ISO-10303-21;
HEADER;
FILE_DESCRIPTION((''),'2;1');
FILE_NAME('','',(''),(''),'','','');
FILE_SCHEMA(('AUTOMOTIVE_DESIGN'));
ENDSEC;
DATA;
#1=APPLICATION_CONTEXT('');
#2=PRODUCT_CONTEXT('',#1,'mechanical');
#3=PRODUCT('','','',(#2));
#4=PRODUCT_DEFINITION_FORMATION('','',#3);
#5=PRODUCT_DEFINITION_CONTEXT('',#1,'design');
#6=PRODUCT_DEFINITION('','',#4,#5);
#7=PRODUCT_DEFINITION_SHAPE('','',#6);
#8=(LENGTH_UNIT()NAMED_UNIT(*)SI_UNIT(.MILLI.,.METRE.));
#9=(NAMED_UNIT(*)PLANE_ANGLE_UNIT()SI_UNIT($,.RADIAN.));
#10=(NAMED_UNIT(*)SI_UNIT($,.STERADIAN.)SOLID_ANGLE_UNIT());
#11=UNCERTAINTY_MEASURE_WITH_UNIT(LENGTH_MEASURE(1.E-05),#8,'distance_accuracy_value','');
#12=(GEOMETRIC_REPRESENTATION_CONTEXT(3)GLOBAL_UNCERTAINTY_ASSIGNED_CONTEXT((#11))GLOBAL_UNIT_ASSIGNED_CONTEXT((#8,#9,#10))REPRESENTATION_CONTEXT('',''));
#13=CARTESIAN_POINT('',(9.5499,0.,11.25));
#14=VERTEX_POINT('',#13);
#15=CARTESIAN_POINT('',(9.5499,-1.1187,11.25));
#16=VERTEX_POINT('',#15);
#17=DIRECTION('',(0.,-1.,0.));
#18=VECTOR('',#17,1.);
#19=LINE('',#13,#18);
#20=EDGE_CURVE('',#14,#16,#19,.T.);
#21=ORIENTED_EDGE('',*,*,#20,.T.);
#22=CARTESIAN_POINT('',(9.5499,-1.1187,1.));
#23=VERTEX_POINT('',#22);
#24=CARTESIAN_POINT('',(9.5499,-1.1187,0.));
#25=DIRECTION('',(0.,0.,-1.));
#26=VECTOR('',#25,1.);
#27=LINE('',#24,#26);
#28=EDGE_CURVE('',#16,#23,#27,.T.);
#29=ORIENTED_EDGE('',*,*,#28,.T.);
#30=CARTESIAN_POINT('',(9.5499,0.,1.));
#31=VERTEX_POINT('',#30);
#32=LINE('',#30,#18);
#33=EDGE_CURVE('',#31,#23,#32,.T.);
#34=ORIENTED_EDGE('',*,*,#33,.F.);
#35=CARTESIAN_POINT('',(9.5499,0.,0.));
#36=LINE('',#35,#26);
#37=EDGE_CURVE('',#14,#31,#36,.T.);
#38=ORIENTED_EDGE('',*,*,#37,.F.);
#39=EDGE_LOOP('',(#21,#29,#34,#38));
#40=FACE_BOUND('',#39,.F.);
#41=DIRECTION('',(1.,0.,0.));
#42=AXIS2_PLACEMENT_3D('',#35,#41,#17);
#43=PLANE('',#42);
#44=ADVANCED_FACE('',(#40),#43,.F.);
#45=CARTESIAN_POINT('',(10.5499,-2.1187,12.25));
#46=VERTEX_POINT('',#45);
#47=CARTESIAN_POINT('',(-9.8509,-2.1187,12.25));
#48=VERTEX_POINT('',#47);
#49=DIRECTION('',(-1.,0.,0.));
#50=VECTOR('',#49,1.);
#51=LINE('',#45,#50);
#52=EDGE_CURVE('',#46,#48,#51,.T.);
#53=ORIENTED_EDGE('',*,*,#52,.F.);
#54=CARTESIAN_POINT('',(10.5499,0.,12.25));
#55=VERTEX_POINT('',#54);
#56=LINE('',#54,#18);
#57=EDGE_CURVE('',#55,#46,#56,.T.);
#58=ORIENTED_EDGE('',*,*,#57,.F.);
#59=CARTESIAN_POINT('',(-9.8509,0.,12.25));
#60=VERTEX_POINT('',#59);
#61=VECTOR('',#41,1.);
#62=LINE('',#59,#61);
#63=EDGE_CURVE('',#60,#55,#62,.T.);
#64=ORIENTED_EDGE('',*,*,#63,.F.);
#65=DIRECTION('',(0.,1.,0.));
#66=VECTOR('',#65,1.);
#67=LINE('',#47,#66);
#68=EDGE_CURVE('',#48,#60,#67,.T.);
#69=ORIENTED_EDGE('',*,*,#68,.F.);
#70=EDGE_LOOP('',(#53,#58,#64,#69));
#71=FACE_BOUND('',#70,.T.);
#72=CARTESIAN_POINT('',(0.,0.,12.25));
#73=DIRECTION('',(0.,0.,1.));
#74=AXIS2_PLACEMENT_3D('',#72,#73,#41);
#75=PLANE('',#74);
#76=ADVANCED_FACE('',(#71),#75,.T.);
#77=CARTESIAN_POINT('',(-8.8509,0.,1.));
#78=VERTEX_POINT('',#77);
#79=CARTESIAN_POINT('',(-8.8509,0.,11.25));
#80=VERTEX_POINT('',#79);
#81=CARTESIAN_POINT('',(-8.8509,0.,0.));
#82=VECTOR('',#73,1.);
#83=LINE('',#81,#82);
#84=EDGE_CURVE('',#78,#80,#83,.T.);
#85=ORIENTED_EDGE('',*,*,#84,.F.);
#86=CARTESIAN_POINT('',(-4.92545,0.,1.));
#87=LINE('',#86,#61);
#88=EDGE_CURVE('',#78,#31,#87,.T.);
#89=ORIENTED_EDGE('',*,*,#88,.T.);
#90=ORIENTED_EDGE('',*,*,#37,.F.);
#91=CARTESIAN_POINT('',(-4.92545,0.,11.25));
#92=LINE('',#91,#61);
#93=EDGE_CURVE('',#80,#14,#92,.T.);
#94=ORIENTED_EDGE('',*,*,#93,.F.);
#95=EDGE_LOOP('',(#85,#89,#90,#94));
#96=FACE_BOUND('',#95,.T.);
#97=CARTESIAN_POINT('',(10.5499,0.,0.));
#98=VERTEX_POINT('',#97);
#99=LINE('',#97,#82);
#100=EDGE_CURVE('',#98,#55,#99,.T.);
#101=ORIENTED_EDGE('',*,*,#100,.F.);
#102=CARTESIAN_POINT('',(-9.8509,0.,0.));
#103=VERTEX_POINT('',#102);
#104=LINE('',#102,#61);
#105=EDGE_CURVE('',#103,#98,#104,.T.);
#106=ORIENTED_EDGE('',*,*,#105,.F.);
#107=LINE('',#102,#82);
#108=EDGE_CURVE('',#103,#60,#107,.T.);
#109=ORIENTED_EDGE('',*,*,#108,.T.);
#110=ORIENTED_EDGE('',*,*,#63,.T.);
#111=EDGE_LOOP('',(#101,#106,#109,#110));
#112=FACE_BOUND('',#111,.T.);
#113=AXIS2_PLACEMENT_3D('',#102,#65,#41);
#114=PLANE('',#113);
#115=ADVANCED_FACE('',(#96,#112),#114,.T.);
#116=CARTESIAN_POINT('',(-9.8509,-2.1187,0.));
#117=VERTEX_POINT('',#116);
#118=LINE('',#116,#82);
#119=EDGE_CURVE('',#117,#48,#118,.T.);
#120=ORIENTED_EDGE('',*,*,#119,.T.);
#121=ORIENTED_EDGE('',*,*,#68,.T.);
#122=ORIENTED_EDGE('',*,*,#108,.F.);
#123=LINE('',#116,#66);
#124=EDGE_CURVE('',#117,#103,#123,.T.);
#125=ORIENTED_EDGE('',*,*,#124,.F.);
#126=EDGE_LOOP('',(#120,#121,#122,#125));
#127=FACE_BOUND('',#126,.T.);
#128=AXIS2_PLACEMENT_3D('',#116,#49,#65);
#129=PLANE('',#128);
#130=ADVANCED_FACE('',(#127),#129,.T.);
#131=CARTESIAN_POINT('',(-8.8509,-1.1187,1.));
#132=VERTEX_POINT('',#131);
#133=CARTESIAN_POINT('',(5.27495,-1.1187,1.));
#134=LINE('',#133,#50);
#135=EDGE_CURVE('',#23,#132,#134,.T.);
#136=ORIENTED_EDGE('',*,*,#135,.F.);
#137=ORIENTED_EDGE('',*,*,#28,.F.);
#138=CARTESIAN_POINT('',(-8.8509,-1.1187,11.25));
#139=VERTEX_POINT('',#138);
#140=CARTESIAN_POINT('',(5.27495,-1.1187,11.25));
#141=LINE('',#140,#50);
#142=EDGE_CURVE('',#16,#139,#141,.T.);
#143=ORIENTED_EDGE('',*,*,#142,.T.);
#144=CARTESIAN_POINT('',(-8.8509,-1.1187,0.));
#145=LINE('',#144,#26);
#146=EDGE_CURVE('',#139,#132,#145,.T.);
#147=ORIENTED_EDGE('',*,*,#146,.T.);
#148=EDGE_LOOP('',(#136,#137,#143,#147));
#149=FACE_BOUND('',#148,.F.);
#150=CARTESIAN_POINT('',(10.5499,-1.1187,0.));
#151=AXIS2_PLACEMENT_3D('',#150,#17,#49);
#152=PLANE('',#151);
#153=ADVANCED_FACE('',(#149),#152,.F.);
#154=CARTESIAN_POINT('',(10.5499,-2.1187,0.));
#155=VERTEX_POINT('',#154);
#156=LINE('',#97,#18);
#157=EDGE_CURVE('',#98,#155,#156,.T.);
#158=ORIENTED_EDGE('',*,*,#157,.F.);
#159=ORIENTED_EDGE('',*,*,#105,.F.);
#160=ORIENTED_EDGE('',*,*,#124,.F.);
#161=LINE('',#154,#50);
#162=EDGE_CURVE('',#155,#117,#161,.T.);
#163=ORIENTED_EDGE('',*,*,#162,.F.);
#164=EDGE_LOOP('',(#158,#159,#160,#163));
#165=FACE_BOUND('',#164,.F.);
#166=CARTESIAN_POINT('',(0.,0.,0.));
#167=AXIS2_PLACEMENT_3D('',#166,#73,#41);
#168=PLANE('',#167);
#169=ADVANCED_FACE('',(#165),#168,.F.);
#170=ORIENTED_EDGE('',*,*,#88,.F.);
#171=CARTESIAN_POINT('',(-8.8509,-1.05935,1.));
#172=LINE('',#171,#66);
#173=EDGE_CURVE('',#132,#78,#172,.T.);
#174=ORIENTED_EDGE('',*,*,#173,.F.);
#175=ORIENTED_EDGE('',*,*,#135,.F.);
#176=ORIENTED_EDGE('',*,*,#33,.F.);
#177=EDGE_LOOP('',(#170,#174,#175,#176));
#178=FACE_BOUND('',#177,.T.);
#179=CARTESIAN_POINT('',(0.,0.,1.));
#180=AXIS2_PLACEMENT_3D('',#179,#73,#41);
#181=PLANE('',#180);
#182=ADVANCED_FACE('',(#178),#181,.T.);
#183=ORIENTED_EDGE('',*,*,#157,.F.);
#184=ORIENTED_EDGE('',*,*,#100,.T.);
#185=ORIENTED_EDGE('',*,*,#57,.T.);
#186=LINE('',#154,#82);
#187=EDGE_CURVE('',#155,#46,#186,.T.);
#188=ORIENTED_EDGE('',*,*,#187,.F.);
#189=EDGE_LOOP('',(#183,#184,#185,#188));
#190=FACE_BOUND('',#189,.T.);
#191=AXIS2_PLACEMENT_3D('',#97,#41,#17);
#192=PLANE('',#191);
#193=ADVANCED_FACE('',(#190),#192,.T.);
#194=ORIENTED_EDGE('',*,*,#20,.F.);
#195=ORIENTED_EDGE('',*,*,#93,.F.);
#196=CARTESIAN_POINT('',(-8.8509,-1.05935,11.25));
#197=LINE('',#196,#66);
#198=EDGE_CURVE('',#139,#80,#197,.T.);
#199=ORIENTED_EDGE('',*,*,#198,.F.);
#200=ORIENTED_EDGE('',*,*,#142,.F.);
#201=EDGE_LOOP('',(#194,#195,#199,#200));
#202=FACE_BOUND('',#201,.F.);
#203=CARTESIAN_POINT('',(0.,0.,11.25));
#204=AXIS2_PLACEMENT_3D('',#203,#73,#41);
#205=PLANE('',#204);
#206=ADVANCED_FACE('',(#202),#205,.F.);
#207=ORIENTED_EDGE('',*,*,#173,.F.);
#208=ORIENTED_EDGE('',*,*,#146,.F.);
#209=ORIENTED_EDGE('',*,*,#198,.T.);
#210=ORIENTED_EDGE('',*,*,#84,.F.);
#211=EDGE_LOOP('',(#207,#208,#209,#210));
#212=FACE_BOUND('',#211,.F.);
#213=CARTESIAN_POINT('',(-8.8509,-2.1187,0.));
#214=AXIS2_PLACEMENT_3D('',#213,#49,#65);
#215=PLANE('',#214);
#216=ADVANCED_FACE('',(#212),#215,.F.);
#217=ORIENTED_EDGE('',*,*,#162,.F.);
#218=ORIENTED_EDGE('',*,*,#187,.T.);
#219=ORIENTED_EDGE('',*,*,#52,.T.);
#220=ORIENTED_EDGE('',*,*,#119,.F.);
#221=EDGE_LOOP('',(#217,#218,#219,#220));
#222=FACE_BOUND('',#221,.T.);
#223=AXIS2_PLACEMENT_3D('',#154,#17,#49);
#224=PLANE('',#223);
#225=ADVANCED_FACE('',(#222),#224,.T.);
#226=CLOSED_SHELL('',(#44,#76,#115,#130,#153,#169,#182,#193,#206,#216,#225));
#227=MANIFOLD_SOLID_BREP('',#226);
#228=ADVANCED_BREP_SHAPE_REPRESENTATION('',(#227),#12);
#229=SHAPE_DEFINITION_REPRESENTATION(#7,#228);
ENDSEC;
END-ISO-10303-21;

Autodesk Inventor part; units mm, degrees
ref_plane "YZ Plane" through (0, 0, 0) normal (1, 0, 0) x (0, 1, 0)
ref_plane "XZ Plane" through (0, 0, 0) normal (0, 1, 0) x (-1, 0, 0)
ref_plane "XY Plane" through (0, 0, 0) normal (0, 0, 1) x (1, 0, 0)
sketch "Sketch1" plane through (0, 0, 0) normal (0, 0, 1) x (1, 0, 0)
  line L0 (-9.8509, 0) -> (10.5499, 0)
  line L1 (10.5499, 0) -> (10.5499, -2.1187)
  line L2 (10.5499, -2.1187) -> (-9.8509, -2.1187)
  line L3 (-9.8509, -2.1187) -> (-9.8509, 0)
  point P0 (0, 0)
extrude "Extrusion1" add sketch "Sketch1" along normal blind 12.25
sketch "Sketch2" plane through (-9.8509, 0, 0) normal (0, 1, 0) x (1, 0, 0)
  line L0 (20.4008, 0) -> (0, 0) projected
  line L1 (0, 0) -> (0, -12.25) projected
  line L2 (20.4008, -12.25) -> (0, -12.25) projected
  line L3 (20.4008, 0) -> (20.4008, -12.25) projected
  line L4 (1.2669, -10.9831) -> (1.2669, -1.2669)
  line L5 (1.2669, -1.2669) -> (19.1339, -1.2669)
  line L6 (19.1339, -1.2669) -> (19.1339, -10.9831)
  line L7 (19.1339, -10.9831) -> (1.2669, -10.9831)
  point P0 (9.8509, 0)
  point P1 (9.3922, -1.2669)
  point P2 (9.3922, -10.9831)
shell "Shell1" thickness 1 removed faces 1 at (3.7496, 0, 4.0833)
properties part number "pan"
